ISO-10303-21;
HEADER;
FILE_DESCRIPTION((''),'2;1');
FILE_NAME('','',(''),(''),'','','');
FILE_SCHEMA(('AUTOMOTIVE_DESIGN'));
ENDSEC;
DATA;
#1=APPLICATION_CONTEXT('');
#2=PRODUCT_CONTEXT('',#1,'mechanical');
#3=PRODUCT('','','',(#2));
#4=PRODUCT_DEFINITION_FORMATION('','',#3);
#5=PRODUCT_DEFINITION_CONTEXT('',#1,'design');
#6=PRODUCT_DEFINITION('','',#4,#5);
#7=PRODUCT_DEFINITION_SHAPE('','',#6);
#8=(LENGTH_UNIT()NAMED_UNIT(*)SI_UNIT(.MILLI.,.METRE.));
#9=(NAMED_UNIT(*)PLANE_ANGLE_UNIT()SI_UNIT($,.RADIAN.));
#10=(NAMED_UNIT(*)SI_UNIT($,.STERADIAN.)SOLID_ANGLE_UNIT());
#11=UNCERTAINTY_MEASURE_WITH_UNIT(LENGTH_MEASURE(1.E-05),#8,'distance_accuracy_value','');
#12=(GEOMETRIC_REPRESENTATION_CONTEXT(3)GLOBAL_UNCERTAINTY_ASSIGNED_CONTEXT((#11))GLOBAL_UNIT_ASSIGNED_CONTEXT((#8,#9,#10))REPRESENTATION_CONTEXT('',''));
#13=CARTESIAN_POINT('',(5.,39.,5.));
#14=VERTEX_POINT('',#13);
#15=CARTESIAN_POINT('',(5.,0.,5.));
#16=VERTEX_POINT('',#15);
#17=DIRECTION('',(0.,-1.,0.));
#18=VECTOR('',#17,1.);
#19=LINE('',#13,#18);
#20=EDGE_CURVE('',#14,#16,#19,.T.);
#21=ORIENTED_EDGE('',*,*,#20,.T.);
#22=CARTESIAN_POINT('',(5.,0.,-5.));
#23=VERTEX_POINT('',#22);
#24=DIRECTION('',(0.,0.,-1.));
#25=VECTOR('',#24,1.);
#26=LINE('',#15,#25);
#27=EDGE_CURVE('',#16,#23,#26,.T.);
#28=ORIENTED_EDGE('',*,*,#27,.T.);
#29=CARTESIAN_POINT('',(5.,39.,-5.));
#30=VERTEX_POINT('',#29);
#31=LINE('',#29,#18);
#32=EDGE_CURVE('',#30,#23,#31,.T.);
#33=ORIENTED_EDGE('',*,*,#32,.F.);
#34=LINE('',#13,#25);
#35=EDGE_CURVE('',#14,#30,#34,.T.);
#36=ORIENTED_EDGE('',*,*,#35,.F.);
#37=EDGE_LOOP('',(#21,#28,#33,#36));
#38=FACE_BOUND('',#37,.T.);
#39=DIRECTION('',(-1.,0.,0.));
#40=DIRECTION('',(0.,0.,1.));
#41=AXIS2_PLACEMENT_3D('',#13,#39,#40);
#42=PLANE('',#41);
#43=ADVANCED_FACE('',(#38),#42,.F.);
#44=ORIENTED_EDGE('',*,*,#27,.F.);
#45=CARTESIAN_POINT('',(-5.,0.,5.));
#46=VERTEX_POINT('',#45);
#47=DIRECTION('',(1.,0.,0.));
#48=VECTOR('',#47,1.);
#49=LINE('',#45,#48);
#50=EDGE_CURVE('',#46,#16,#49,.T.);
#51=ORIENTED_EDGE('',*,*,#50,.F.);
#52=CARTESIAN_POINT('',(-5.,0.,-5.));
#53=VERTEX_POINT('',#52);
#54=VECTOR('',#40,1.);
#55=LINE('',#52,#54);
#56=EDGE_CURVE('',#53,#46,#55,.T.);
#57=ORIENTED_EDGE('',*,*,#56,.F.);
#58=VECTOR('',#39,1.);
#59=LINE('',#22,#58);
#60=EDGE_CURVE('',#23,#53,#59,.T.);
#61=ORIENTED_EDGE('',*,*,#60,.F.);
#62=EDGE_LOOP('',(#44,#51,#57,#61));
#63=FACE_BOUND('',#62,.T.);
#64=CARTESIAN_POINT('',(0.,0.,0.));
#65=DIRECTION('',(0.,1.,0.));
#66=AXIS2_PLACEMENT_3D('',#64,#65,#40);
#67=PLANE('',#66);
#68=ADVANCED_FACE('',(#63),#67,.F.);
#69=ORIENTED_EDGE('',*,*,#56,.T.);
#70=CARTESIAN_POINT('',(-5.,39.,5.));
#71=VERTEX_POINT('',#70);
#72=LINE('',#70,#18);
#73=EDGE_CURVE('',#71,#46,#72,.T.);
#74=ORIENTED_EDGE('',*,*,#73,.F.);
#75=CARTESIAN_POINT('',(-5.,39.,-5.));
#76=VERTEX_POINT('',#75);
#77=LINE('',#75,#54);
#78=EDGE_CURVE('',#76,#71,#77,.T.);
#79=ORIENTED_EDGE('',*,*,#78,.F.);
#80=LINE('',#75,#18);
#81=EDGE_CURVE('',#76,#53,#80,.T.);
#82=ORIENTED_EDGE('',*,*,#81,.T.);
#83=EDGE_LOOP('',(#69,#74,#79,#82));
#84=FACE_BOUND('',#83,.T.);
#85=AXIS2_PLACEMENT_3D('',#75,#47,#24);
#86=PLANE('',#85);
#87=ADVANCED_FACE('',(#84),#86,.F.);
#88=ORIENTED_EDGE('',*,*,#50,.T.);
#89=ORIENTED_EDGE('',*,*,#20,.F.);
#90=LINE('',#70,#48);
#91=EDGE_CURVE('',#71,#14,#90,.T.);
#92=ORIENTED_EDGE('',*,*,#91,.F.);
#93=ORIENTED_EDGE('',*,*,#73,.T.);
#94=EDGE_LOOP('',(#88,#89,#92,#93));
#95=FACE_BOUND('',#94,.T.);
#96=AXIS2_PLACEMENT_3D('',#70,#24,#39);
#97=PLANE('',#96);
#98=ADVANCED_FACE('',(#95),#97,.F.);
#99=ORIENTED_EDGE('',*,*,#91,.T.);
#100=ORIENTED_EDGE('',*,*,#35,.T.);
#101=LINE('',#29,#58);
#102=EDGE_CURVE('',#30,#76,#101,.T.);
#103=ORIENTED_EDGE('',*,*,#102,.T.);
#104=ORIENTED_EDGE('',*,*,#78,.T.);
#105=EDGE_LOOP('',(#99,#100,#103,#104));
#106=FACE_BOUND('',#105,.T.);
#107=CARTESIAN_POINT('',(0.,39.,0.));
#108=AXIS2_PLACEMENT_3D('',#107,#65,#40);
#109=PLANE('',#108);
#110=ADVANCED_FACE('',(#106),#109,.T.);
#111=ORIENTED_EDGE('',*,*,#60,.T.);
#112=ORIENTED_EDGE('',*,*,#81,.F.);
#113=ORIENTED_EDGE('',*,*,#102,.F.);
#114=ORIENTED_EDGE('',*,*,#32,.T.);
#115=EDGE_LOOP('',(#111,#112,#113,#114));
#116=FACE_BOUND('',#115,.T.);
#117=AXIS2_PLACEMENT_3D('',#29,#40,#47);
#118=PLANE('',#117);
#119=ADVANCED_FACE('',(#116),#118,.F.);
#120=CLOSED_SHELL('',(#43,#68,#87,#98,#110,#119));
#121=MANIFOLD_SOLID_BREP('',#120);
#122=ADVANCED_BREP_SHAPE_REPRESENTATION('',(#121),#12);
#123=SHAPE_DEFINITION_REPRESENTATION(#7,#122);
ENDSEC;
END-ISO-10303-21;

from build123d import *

# Parameters (mm, degrees)
SK_P01_MICROFIT3024POSMATED_W  = 10
SK_P01_MICROFIT3024POSMATED_H  = 10
P01_MICROFIT3024POSMATED_DEPTH = 39


with BuildPart() as part:
    # SK_P01_MicroFit3024posmated → P01_MicroFit3024posmated (new body)
    with BuildSketch(Plane(origin=(0, 0, 0), x_dir=(1, 0, 0), z_dir=(0, 1, 0))):
        Rectangle(SK_P01_MICROFIT3024POSMATED_W, SK_P01_MICROFIT3024POSMATED_H)
    extrude(amount=P01_MICROFIT3024POSMATED_DEPTH)


solid = part.part
